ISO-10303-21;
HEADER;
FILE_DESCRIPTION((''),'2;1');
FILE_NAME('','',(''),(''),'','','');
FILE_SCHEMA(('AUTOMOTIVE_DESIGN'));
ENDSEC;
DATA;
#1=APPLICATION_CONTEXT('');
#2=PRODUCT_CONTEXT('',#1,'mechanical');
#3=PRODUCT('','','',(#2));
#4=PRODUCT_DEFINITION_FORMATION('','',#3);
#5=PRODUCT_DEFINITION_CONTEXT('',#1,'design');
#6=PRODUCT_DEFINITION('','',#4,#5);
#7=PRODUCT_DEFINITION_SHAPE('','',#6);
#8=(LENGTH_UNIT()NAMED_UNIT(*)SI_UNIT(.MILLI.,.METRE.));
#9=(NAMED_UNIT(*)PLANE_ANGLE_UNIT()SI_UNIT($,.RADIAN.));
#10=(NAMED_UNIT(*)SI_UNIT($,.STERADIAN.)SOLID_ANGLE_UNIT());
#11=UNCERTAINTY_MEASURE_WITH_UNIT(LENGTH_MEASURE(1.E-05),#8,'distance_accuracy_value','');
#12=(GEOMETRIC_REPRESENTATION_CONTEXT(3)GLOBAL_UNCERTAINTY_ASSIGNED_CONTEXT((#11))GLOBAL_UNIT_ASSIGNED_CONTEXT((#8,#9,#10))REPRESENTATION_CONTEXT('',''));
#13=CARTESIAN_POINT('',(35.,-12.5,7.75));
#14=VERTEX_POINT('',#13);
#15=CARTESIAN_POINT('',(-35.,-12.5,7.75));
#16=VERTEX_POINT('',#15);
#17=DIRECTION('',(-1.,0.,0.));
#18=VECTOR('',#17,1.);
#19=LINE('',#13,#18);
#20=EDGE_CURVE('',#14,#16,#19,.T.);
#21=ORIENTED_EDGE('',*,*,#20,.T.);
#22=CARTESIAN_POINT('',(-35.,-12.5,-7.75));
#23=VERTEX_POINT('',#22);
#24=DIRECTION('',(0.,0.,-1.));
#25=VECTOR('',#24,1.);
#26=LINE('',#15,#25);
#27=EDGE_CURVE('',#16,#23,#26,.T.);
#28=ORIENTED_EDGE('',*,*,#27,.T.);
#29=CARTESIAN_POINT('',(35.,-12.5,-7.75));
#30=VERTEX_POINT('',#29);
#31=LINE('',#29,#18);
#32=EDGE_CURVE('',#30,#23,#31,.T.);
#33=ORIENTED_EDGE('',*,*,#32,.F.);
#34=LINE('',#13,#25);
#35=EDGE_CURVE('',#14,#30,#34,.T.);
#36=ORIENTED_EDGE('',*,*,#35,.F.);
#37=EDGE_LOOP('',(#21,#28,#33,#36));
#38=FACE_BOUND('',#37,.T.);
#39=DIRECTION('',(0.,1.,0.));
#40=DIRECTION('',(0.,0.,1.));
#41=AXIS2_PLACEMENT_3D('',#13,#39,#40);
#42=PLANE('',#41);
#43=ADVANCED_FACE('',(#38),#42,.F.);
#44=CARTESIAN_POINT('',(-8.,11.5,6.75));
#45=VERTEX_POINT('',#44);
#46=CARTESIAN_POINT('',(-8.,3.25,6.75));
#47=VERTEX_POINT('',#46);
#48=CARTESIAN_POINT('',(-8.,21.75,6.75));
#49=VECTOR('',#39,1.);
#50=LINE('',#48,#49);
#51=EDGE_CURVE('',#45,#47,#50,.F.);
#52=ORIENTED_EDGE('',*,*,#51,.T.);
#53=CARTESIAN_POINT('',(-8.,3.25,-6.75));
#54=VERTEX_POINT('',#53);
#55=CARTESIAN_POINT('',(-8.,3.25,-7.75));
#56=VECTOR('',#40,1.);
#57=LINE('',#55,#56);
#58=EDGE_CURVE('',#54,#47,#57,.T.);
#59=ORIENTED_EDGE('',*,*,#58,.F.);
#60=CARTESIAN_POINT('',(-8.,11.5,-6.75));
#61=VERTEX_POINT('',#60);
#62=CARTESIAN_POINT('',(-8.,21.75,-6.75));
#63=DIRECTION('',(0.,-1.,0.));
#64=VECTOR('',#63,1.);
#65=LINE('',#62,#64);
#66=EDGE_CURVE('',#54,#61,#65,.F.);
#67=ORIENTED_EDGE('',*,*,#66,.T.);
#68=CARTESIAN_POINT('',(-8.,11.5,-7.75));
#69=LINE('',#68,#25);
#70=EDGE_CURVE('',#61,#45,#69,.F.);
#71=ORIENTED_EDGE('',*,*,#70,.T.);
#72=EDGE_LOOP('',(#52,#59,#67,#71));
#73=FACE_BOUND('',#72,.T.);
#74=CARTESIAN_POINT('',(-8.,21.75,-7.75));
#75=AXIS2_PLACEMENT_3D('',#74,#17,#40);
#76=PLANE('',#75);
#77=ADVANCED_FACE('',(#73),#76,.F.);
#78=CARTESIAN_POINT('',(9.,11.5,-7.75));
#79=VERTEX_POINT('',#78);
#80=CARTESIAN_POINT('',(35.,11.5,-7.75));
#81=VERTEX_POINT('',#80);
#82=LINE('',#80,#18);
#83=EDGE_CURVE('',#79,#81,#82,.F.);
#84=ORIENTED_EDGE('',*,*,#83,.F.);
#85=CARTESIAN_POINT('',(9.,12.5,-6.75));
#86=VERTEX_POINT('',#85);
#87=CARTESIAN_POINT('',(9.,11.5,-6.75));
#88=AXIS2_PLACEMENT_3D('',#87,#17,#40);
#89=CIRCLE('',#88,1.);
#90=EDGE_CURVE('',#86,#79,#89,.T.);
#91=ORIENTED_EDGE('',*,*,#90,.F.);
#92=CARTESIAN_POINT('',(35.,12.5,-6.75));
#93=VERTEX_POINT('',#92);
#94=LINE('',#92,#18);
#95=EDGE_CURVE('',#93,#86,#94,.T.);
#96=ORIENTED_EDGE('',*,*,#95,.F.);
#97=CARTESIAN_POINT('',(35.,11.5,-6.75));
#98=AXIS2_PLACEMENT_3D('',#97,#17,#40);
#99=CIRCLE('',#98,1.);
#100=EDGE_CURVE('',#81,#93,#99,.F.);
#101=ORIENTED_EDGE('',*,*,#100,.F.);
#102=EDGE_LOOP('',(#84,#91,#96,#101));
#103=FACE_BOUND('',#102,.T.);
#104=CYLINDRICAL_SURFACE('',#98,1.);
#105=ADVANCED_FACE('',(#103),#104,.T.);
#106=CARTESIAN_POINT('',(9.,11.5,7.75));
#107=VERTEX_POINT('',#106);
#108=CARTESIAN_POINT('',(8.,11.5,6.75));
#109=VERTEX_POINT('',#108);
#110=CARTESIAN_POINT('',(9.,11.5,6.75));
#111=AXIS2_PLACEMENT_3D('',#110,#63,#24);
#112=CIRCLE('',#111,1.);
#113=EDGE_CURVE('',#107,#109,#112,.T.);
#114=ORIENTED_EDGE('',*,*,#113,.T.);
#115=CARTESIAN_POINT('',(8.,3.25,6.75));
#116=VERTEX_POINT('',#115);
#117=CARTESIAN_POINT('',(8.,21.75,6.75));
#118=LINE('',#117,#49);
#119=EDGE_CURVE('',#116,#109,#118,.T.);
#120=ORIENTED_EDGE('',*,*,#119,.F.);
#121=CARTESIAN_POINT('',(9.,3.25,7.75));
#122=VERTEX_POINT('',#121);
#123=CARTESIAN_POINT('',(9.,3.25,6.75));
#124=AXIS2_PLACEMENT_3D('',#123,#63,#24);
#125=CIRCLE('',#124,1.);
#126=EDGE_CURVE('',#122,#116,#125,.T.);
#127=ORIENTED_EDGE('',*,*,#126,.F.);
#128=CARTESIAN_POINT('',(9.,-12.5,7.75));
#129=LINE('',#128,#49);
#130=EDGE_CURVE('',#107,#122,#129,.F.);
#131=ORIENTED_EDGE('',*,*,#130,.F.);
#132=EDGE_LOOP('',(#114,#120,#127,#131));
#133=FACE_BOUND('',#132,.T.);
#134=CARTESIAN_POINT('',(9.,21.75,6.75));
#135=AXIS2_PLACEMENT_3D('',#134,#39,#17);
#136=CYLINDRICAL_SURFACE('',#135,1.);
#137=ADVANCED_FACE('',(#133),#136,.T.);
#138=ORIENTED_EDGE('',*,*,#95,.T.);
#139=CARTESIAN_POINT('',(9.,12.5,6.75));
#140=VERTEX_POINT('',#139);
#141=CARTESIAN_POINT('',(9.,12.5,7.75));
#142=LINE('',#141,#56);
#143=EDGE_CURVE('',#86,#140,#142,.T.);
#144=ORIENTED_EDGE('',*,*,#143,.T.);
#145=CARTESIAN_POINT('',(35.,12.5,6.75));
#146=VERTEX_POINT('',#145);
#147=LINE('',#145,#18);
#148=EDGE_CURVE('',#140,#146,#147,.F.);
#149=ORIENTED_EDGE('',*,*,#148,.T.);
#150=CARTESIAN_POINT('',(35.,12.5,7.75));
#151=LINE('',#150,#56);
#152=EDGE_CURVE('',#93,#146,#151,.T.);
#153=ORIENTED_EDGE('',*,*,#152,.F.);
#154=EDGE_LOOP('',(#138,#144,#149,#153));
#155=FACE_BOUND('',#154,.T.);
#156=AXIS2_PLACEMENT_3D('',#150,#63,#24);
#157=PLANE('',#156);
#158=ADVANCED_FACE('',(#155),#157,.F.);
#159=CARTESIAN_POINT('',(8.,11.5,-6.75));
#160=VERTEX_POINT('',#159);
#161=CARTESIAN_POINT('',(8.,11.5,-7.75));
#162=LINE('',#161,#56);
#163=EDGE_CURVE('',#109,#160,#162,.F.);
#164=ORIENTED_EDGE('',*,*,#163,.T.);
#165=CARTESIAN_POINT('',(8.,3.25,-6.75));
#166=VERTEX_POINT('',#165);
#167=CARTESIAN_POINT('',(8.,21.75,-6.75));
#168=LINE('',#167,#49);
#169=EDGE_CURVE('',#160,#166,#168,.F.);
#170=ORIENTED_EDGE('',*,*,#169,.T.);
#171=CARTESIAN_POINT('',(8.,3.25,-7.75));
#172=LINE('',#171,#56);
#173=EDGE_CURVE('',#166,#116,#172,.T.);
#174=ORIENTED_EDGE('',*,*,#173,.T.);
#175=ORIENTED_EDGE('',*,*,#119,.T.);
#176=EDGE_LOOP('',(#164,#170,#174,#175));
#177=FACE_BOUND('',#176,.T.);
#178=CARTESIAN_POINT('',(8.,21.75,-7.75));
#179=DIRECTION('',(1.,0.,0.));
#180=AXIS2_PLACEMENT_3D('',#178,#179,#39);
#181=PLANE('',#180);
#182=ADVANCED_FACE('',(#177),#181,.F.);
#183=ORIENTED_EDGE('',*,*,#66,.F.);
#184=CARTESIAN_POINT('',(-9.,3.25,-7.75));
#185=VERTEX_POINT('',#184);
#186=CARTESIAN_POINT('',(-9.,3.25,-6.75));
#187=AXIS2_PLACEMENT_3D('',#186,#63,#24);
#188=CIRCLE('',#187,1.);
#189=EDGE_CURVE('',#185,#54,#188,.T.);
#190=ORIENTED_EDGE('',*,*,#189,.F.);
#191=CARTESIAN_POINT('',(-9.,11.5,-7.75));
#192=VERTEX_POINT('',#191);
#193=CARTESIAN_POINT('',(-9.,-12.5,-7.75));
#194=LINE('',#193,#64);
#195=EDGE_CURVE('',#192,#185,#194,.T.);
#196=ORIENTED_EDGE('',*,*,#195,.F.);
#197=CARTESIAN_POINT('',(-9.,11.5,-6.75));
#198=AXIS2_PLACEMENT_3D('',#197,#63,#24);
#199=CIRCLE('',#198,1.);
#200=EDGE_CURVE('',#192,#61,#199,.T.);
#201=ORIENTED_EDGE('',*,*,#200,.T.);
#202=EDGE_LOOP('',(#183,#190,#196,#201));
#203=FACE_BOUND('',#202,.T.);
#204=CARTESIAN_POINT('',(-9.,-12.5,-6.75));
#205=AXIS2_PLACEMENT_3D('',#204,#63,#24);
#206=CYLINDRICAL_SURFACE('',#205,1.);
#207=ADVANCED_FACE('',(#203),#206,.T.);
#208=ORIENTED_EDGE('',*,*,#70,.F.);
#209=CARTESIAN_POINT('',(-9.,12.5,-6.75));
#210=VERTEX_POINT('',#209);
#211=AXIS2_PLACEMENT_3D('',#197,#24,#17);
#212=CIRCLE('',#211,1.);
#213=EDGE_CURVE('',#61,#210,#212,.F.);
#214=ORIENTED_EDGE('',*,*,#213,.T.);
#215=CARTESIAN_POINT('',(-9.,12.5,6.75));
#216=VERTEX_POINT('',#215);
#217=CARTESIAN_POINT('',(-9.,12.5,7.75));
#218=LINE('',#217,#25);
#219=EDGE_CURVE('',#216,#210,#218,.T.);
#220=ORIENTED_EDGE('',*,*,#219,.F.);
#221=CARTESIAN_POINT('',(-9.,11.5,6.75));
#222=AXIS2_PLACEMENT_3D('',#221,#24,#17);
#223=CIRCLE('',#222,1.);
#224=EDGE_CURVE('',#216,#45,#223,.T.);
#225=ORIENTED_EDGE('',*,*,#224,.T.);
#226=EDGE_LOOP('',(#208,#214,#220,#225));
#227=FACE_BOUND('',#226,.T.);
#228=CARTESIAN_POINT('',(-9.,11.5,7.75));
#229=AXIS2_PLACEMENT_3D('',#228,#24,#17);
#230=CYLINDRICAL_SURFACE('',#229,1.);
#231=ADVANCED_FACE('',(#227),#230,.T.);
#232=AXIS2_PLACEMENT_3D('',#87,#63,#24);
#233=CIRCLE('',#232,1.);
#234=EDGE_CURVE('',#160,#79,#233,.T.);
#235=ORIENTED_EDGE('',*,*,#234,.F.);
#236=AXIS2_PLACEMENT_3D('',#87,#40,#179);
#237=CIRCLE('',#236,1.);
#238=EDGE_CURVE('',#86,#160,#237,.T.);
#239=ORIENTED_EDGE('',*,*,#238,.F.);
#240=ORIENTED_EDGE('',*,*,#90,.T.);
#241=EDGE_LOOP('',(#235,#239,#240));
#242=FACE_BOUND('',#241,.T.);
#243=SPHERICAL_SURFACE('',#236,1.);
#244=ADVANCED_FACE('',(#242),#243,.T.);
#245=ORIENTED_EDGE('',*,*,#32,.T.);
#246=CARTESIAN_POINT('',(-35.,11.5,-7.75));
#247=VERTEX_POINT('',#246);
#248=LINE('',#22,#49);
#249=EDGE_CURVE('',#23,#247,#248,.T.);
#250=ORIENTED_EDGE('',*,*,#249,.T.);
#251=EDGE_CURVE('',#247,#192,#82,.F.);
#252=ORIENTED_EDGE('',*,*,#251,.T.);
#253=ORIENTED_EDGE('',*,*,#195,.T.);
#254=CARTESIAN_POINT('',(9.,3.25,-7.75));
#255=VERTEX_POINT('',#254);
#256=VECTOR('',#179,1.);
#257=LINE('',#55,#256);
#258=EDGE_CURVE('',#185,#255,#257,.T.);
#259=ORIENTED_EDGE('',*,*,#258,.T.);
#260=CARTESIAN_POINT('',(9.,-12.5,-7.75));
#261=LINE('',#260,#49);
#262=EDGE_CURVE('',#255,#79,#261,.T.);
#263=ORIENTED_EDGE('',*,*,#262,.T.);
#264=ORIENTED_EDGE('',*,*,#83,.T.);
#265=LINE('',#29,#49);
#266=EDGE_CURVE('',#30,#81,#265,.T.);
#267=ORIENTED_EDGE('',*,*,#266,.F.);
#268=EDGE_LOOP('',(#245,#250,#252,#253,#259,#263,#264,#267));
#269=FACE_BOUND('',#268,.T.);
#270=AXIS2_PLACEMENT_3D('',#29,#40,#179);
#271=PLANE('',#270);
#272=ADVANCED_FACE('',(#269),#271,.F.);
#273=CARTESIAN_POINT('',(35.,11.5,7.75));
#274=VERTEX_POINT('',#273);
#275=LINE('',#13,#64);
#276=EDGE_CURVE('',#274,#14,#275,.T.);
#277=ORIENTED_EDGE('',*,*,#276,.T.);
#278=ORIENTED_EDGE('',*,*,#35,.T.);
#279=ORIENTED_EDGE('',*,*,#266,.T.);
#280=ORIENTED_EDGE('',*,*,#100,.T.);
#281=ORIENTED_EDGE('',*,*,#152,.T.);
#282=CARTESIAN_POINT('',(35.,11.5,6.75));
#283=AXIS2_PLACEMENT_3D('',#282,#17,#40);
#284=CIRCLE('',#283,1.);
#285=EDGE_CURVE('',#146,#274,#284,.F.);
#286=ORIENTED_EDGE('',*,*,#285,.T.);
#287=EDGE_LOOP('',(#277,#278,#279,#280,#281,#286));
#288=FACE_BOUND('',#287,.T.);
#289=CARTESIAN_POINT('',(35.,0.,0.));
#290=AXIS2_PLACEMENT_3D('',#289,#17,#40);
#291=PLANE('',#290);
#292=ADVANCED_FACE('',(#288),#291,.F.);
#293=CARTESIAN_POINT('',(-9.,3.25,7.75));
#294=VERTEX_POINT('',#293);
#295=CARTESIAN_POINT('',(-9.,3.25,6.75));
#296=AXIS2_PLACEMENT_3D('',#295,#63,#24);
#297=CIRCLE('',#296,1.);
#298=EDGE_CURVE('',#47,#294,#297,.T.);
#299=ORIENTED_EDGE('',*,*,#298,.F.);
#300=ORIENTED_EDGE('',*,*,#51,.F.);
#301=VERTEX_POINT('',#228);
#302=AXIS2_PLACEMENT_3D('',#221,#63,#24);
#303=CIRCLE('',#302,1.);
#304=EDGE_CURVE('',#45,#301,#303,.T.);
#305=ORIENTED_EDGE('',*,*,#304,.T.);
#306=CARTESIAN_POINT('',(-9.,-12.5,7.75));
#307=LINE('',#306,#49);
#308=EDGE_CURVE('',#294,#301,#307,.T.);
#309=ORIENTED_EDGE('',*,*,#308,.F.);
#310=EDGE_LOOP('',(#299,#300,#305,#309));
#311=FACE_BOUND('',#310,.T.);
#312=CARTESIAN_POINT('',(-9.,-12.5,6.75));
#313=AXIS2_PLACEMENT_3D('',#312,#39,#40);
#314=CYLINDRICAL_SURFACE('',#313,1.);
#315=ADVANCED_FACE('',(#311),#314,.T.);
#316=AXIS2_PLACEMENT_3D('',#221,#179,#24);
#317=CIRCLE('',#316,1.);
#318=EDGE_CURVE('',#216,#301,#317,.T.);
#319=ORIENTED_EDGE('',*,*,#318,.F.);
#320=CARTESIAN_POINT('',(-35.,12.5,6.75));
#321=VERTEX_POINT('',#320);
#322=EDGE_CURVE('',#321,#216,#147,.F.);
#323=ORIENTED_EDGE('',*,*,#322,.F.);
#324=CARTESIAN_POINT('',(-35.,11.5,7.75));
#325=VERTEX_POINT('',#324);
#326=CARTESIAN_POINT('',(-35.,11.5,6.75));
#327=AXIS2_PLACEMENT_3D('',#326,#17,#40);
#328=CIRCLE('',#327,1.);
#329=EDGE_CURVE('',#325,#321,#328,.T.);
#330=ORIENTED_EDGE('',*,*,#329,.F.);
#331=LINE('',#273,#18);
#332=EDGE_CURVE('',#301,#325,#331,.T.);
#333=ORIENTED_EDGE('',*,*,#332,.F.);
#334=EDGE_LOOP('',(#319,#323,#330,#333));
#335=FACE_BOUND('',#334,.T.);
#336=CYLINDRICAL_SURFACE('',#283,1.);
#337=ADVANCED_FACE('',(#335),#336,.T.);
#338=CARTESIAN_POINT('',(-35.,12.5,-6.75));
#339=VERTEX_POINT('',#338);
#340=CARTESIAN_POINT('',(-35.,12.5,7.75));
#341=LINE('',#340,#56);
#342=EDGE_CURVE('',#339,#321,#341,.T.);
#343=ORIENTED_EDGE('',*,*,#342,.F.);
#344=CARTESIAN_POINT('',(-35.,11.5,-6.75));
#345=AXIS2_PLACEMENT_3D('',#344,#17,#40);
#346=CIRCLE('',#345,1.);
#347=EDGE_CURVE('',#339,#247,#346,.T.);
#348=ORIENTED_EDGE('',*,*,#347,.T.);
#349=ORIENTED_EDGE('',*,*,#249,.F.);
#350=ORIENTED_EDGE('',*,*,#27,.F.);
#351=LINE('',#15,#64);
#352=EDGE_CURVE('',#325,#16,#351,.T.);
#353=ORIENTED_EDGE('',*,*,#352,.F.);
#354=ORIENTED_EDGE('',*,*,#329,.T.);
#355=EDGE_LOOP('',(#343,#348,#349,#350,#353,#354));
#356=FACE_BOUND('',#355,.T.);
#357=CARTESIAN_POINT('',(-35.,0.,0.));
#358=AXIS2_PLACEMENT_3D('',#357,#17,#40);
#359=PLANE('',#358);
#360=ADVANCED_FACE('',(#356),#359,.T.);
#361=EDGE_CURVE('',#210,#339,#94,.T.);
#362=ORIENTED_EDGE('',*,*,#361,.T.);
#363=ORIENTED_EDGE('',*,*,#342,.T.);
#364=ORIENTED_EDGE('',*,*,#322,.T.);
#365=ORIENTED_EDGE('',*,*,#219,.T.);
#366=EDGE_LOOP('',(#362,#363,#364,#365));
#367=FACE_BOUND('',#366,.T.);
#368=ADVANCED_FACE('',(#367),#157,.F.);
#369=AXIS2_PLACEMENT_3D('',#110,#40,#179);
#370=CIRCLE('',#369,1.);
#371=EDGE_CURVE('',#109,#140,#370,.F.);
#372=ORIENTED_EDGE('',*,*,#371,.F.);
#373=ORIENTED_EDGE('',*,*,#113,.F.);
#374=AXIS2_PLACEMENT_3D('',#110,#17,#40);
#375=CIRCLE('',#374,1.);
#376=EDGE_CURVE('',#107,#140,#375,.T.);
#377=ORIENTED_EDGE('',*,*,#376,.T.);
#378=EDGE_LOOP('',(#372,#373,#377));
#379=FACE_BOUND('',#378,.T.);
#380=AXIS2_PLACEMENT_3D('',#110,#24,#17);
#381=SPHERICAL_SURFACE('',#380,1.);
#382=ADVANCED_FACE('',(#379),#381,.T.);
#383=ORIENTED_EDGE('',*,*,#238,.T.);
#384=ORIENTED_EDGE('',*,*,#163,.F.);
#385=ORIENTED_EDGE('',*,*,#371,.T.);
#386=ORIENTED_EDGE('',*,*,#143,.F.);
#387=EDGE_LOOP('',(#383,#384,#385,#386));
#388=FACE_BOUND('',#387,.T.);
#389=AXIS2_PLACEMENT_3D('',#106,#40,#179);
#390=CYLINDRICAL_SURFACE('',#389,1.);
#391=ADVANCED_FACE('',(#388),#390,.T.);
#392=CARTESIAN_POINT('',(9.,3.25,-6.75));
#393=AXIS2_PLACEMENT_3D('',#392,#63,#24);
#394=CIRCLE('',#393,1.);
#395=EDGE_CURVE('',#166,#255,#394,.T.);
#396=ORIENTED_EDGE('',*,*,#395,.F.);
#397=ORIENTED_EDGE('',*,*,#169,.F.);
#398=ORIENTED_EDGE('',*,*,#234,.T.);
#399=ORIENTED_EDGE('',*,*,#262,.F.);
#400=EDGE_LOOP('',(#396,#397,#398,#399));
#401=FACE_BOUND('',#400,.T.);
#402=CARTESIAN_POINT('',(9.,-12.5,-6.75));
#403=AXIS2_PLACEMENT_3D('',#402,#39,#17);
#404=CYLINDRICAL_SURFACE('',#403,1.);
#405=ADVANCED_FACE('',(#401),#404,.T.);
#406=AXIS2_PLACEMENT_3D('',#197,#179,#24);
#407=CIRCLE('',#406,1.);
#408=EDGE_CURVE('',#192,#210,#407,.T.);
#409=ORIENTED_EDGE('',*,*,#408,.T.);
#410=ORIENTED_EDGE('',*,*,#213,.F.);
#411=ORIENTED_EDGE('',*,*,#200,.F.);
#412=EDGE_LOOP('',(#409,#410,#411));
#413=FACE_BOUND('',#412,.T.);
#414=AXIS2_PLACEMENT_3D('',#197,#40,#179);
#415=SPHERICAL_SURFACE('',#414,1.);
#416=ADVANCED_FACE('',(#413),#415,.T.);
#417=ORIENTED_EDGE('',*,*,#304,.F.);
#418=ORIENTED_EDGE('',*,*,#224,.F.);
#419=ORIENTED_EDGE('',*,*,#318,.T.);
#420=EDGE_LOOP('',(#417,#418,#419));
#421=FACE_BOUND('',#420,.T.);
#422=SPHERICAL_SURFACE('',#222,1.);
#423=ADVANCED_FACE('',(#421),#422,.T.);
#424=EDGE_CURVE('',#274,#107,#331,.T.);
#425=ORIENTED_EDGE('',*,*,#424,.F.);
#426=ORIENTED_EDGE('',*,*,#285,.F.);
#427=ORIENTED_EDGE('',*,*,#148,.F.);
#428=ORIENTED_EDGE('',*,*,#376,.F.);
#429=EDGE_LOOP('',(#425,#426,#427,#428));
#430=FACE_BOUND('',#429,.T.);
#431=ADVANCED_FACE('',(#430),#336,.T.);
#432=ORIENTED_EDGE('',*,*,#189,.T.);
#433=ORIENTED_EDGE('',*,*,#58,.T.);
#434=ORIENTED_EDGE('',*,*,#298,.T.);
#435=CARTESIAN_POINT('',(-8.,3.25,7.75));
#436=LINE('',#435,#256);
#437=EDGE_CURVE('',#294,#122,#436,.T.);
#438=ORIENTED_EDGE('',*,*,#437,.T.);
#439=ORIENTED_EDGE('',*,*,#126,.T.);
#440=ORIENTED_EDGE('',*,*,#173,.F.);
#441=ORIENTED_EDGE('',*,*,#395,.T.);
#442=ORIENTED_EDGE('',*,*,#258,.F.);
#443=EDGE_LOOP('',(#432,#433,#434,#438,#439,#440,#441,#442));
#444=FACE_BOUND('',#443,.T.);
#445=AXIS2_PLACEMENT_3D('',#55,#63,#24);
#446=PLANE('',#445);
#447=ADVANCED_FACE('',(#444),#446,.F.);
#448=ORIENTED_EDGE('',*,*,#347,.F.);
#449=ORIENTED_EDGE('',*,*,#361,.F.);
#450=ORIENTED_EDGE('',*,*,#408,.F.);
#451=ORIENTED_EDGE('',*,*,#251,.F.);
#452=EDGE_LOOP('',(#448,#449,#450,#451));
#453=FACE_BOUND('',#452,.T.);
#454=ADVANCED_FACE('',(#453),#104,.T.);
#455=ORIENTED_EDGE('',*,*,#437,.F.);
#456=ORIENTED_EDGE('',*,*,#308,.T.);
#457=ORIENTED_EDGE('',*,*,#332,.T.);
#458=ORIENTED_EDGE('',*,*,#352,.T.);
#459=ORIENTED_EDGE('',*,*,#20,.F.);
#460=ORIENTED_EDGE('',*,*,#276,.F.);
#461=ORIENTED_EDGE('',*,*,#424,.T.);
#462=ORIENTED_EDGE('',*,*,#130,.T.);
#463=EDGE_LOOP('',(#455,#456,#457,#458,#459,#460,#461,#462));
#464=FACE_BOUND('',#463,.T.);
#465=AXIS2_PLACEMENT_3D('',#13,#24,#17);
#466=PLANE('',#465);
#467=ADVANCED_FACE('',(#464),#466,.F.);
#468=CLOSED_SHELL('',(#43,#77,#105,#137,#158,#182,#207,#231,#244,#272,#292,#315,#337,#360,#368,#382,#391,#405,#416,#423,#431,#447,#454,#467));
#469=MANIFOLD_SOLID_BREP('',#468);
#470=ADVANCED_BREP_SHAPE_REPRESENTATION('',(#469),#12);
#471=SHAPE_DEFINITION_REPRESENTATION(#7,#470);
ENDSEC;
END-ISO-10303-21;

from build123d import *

# Parameters (mm, degrees)
SKETCH1_W           = 15.5
SKETCH1_H           = 25
BOSS_EXTRUDE1_DEPTH = 35
SKETCH2_W           = 16
SKETCH2_H           = 18.5
CUT_EXTRUDE1_DEPTH  = 16.5
FILLET1_R           = 1
FILLET2_R           = 1


with BuildPart() as part:
    # Sketch1 → Boss-Extrude1 (new body, symmetric)
    with BuildSketch(Plane(origin=(0, 0, 0), x_dir=(0, 0, -1), z_dir=(1, 0, 0))):
        Rectangle(SKETCH1_W, SKETCH1_H)
    extrude(amount=BOSS_EXTRUDE1_DEPTH, both=True)

    # Sketch2 → Cut-Extrude1 (cut, through all)
    with BuildSketch(Plane.XY.offset(7.75)):
        with Locations((0, 12.5)):
            Rectangle(SKETCH2_W, SKETCH2_H)
    extrude(amount=-CUT_EXTRUDE1_DEPTH, mode=Mode.SUBTRACT)

    # Fillet1
    fillet1_edges = [part.edges().sort_by_distance(p)[0] for p in [
        (8, 12.5, 0),
        (-8, 12.5, 0),
    ]]
    fillet(fillet1_edges, radius=FILLET1_R)

    # Fillet2
    fillet2_edges = [part.edges().sort_by_distance(p)[0] for p in [
        (-8, 7.375, 7.75),
        (8, 7.375, 7.75),
        (8, 7.375, -7.75),
        (-22, 12.5, 7.75),
        (-8.292893219, 12.207106781, 7.75),
        (8.292893219, 12.207106781, 7.75),
        (-22, 12.5, -7.75),
        (-8, 7.375, -7.75),
        (-8.292893219, 12.207106781, -7.75),
        (8.292893219, 12.207106781, -7.75),
        (22, 12.5, 7.75),
        (22, 12.5, -7.75),
    ]]
    fillet(fillet2_edges, radius=FILLET2_R)


solid = part.part
